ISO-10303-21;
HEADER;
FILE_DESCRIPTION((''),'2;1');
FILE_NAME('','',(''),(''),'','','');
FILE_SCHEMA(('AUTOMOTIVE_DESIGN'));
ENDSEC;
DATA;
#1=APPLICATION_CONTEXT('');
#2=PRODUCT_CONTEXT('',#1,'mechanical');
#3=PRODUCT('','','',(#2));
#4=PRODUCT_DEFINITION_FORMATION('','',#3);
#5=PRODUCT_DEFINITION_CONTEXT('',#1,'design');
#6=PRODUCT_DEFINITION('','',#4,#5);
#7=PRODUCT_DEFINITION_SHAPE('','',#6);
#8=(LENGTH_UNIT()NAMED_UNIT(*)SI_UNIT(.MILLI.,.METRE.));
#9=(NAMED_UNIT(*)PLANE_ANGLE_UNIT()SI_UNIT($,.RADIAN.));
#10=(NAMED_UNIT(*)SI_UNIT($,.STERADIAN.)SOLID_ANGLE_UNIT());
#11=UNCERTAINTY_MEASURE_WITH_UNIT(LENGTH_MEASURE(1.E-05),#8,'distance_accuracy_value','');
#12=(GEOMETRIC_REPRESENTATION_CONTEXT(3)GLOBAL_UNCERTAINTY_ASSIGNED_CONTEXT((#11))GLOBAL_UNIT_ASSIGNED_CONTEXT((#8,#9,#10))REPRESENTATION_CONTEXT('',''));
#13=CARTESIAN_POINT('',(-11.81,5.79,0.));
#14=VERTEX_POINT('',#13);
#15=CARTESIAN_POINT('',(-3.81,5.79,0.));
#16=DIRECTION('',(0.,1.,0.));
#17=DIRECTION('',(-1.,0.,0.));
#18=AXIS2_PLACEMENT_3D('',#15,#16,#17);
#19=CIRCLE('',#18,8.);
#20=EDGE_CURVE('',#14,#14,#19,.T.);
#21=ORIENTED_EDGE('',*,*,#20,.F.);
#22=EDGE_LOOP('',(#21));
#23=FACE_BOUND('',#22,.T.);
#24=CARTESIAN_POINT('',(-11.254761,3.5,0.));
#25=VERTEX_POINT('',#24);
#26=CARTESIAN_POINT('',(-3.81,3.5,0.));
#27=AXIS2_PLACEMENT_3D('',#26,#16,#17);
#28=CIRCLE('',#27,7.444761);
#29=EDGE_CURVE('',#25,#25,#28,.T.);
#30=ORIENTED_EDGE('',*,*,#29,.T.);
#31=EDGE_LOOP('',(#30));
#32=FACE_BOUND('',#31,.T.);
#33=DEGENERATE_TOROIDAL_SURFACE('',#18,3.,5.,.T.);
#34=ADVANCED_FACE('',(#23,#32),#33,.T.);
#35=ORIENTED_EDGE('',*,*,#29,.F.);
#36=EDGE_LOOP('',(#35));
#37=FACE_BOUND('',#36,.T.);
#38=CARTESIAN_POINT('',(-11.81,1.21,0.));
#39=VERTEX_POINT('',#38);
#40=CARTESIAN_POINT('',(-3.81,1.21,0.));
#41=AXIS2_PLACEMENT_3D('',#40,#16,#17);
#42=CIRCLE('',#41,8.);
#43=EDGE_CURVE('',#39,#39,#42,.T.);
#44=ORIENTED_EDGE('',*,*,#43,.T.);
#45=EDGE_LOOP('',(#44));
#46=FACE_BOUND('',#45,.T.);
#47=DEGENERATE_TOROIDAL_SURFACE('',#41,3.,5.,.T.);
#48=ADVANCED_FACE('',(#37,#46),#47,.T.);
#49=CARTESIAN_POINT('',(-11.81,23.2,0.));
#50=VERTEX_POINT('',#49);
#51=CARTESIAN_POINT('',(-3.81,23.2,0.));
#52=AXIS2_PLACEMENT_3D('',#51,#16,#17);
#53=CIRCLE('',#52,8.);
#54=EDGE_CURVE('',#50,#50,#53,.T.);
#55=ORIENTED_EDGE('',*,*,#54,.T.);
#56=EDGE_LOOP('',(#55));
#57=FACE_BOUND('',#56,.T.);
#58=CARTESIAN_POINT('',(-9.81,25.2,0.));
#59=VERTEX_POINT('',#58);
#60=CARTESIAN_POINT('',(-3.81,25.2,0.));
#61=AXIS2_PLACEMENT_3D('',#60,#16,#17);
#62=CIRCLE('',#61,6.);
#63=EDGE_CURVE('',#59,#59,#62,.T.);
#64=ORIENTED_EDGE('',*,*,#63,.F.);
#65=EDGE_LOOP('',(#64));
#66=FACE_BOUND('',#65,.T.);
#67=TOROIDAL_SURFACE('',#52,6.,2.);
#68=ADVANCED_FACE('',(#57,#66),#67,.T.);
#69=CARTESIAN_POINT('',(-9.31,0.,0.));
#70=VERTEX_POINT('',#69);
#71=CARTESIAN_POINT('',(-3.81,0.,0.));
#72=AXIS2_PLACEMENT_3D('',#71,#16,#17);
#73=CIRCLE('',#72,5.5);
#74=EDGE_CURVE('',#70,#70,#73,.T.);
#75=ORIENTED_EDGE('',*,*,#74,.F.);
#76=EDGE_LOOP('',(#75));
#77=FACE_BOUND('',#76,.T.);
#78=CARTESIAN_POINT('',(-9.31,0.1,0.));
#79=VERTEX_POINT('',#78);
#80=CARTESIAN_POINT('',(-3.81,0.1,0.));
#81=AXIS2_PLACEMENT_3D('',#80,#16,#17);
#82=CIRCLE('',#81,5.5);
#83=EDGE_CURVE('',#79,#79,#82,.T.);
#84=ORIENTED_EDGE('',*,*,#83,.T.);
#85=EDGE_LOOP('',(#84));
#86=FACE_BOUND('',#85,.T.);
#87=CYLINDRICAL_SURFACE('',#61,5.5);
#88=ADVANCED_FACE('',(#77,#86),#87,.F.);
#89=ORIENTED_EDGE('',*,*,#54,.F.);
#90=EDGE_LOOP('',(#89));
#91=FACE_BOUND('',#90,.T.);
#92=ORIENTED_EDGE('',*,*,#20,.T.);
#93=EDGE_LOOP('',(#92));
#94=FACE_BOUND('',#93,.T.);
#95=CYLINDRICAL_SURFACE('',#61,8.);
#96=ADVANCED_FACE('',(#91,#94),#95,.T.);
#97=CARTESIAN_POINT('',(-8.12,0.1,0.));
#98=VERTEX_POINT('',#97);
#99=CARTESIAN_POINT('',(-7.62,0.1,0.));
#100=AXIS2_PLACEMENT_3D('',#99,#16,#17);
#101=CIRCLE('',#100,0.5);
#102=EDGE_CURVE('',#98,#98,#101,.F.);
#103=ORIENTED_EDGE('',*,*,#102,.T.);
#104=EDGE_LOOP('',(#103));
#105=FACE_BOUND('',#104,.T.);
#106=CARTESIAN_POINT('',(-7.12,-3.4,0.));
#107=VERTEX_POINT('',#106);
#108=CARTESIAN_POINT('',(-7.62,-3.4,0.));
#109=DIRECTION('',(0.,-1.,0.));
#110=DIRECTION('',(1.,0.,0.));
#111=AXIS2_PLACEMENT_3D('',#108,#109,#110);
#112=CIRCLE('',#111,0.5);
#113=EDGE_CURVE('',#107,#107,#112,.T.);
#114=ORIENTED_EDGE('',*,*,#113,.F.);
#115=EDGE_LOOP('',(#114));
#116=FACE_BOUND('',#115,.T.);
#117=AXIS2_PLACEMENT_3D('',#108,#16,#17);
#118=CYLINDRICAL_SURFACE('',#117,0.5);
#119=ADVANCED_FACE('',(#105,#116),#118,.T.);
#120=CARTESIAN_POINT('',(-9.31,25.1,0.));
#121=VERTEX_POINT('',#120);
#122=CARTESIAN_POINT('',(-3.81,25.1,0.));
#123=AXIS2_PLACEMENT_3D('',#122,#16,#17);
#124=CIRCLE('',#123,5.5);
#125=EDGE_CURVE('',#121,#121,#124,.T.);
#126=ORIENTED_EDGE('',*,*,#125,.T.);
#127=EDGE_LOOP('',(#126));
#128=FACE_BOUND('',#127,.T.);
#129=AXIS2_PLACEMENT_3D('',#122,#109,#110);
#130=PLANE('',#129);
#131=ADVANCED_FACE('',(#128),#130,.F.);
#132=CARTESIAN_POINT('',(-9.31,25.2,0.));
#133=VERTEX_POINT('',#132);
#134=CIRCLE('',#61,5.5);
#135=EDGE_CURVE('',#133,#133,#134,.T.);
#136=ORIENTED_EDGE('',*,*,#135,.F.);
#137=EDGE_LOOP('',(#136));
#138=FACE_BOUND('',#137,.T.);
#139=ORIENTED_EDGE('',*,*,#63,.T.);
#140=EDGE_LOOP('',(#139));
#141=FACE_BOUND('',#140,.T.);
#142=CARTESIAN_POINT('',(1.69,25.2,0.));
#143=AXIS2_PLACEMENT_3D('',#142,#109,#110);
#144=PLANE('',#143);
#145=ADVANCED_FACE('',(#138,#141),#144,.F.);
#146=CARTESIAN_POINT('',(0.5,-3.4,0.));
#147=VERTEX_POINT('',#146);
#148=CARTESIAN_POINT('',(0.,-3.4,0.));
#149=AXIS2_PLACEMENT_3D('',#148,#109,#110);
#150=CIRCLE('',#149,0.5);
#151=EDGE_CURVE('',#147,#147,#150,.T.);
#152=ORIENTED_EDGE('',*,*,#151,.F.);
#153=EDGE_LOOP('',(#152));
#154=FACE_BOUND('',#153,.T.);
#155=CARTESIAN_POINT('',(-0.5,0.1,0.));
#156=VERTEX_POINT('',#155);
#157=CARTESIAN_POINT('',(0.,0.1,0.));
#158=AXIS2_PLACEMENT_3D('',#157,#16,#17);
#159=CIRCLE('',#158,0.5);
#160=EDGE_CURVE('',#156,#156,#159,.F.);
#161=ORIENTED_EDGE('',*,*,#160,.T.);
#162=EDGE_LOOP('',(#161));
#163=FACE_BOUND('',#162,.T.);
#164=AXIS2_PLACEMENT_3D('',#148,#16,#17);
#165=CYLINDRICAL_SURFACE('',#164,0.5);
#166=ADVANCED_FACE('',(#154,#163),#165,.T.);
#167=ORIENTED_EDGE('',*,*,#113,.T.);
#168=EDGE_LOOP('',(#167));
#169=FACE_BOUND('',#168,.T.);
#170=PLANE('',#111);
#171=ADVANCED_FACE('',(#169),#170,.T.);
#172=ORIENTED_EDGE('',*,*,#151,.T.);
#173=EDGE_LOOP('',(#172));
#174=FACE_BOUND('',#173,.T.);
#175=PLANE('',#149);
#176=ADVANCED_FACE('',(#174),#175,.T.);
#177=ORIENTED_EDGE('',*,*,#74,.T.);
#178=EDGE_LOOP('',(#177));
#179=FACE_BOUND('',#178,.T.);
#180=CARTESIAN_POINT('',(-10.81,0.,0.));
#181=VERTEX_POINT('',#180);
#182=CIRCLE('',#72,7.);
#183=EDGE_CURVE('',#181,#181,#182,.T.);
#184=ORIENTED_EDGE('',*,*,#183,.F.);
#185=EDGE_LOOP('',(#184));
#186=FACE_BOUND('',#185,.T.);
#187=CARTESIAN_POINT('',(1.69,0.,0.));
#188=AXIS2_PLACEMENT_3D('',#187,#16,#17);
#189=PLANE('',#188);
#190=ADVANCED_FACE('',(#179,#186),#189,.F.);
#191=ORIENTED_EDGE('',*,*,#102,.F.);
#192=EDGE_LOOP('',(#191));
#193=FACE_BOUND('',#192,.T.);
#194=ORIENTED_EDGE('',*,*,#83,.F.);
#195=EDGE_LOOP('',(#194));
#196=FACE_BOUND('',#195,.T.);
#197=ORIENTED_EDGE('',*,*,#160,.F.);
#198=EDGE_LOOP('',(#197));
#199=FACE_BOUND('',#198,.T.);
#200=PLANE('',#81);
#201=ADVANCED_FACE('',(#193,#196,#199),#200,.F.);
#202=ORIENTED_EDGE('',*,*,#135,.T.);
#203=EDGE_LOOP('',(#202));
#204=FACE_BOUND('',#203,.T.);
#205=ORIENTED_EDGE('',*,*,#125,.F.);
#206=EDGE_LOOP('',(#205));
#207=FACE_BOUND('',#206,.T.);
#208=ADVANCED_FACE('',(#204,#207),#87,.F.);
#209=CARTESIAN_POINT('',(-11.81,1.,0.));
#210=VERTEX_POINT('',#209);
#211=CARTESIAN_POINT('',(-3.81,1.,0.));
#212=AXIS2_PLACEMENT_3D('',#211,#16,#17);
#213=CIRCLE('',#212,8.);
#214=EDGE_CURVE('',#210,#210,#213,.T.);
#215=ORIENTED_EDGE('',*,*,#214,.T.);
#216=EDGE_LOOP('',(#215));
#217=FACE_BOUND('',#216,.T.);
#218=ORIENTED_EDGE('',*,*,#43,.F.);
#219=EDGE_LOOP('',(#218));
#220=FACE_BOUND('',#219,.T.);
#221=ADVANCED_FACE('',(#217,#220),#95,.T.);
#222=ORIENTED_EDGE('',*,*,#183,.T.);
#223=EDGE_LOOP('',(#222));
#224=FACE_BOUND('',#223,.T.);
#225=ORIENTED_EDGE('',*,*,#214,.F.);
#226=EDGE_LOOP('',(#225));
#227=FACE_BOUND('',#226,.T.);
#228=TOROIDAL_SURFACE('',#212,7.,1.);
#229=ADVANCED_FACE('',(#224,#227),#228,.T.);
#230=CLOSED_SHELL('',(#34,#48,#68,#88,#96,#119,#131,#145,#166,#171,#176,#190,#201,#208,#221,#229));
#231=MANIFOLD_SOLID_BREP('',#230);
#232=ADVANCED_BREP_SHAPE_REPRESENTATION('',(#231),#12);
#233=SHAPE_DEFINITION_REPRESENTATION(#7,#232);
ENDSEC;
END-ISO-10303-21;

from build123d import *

# Parameters (mm, degrees)
SKETCH2_R           = 0.5
BOSS_EXTRUDE1_DEPTH = 3.5


with BuildPart() as part:
    # Sketch1 → Base-Revolve (revolve)
    with BuildSketch(Plane.XY):
        with BuildLine():
            Line((-3.81, 0.1), (1.69, 0.1))
            Line((1.69, 0.1), (1.69, 0))
            Line((1.69, 0), (3.19, 0))
            ThreePointArc((3.19, 0), (3.897106781, 0.292893219), (4.19, 1))
            Line((4.19, 1), (4.19, 1.21))
            ThreePointArc((4.19, 1.21), (4.049208002, 2.388175538), (3.634760961, 3.5))
            ThreePointArc((3.634760961, 3.5), (4.049208002, 4.611824462), (4.19, 5.79))
            Line((4.19, 5.79), (4.19, 23.2))
            ThreePointArc((4.19, 23.2), (3.604213562, 24.614213562), (2.19, 25.2))
            Line((2.19, 25.2), (1.69, 25.2))
            Line((1.69, 25.2), (1.69, 25.1))
            Line((1.69, 25.1), (-3.81, 25.1))
            Line((-3.81, 25.1), (-3.81, 0.1))
        make_face()
    revolve(axis=Axis((-3.81, 25.2, 0), (0, -1, 0)))

    # Sketch2 → Boss-Extrude1 (add)
    with BuildSketch(Plane.XZ.offset(-0.1)):
        Circle(SKETCH2_R)
        with Locations((-7.62, 0)):
            Circle(SKETCH2_R)
    extrude(amount=BOSS_EXTRUDE1_DEPTH)


solid = part.part
